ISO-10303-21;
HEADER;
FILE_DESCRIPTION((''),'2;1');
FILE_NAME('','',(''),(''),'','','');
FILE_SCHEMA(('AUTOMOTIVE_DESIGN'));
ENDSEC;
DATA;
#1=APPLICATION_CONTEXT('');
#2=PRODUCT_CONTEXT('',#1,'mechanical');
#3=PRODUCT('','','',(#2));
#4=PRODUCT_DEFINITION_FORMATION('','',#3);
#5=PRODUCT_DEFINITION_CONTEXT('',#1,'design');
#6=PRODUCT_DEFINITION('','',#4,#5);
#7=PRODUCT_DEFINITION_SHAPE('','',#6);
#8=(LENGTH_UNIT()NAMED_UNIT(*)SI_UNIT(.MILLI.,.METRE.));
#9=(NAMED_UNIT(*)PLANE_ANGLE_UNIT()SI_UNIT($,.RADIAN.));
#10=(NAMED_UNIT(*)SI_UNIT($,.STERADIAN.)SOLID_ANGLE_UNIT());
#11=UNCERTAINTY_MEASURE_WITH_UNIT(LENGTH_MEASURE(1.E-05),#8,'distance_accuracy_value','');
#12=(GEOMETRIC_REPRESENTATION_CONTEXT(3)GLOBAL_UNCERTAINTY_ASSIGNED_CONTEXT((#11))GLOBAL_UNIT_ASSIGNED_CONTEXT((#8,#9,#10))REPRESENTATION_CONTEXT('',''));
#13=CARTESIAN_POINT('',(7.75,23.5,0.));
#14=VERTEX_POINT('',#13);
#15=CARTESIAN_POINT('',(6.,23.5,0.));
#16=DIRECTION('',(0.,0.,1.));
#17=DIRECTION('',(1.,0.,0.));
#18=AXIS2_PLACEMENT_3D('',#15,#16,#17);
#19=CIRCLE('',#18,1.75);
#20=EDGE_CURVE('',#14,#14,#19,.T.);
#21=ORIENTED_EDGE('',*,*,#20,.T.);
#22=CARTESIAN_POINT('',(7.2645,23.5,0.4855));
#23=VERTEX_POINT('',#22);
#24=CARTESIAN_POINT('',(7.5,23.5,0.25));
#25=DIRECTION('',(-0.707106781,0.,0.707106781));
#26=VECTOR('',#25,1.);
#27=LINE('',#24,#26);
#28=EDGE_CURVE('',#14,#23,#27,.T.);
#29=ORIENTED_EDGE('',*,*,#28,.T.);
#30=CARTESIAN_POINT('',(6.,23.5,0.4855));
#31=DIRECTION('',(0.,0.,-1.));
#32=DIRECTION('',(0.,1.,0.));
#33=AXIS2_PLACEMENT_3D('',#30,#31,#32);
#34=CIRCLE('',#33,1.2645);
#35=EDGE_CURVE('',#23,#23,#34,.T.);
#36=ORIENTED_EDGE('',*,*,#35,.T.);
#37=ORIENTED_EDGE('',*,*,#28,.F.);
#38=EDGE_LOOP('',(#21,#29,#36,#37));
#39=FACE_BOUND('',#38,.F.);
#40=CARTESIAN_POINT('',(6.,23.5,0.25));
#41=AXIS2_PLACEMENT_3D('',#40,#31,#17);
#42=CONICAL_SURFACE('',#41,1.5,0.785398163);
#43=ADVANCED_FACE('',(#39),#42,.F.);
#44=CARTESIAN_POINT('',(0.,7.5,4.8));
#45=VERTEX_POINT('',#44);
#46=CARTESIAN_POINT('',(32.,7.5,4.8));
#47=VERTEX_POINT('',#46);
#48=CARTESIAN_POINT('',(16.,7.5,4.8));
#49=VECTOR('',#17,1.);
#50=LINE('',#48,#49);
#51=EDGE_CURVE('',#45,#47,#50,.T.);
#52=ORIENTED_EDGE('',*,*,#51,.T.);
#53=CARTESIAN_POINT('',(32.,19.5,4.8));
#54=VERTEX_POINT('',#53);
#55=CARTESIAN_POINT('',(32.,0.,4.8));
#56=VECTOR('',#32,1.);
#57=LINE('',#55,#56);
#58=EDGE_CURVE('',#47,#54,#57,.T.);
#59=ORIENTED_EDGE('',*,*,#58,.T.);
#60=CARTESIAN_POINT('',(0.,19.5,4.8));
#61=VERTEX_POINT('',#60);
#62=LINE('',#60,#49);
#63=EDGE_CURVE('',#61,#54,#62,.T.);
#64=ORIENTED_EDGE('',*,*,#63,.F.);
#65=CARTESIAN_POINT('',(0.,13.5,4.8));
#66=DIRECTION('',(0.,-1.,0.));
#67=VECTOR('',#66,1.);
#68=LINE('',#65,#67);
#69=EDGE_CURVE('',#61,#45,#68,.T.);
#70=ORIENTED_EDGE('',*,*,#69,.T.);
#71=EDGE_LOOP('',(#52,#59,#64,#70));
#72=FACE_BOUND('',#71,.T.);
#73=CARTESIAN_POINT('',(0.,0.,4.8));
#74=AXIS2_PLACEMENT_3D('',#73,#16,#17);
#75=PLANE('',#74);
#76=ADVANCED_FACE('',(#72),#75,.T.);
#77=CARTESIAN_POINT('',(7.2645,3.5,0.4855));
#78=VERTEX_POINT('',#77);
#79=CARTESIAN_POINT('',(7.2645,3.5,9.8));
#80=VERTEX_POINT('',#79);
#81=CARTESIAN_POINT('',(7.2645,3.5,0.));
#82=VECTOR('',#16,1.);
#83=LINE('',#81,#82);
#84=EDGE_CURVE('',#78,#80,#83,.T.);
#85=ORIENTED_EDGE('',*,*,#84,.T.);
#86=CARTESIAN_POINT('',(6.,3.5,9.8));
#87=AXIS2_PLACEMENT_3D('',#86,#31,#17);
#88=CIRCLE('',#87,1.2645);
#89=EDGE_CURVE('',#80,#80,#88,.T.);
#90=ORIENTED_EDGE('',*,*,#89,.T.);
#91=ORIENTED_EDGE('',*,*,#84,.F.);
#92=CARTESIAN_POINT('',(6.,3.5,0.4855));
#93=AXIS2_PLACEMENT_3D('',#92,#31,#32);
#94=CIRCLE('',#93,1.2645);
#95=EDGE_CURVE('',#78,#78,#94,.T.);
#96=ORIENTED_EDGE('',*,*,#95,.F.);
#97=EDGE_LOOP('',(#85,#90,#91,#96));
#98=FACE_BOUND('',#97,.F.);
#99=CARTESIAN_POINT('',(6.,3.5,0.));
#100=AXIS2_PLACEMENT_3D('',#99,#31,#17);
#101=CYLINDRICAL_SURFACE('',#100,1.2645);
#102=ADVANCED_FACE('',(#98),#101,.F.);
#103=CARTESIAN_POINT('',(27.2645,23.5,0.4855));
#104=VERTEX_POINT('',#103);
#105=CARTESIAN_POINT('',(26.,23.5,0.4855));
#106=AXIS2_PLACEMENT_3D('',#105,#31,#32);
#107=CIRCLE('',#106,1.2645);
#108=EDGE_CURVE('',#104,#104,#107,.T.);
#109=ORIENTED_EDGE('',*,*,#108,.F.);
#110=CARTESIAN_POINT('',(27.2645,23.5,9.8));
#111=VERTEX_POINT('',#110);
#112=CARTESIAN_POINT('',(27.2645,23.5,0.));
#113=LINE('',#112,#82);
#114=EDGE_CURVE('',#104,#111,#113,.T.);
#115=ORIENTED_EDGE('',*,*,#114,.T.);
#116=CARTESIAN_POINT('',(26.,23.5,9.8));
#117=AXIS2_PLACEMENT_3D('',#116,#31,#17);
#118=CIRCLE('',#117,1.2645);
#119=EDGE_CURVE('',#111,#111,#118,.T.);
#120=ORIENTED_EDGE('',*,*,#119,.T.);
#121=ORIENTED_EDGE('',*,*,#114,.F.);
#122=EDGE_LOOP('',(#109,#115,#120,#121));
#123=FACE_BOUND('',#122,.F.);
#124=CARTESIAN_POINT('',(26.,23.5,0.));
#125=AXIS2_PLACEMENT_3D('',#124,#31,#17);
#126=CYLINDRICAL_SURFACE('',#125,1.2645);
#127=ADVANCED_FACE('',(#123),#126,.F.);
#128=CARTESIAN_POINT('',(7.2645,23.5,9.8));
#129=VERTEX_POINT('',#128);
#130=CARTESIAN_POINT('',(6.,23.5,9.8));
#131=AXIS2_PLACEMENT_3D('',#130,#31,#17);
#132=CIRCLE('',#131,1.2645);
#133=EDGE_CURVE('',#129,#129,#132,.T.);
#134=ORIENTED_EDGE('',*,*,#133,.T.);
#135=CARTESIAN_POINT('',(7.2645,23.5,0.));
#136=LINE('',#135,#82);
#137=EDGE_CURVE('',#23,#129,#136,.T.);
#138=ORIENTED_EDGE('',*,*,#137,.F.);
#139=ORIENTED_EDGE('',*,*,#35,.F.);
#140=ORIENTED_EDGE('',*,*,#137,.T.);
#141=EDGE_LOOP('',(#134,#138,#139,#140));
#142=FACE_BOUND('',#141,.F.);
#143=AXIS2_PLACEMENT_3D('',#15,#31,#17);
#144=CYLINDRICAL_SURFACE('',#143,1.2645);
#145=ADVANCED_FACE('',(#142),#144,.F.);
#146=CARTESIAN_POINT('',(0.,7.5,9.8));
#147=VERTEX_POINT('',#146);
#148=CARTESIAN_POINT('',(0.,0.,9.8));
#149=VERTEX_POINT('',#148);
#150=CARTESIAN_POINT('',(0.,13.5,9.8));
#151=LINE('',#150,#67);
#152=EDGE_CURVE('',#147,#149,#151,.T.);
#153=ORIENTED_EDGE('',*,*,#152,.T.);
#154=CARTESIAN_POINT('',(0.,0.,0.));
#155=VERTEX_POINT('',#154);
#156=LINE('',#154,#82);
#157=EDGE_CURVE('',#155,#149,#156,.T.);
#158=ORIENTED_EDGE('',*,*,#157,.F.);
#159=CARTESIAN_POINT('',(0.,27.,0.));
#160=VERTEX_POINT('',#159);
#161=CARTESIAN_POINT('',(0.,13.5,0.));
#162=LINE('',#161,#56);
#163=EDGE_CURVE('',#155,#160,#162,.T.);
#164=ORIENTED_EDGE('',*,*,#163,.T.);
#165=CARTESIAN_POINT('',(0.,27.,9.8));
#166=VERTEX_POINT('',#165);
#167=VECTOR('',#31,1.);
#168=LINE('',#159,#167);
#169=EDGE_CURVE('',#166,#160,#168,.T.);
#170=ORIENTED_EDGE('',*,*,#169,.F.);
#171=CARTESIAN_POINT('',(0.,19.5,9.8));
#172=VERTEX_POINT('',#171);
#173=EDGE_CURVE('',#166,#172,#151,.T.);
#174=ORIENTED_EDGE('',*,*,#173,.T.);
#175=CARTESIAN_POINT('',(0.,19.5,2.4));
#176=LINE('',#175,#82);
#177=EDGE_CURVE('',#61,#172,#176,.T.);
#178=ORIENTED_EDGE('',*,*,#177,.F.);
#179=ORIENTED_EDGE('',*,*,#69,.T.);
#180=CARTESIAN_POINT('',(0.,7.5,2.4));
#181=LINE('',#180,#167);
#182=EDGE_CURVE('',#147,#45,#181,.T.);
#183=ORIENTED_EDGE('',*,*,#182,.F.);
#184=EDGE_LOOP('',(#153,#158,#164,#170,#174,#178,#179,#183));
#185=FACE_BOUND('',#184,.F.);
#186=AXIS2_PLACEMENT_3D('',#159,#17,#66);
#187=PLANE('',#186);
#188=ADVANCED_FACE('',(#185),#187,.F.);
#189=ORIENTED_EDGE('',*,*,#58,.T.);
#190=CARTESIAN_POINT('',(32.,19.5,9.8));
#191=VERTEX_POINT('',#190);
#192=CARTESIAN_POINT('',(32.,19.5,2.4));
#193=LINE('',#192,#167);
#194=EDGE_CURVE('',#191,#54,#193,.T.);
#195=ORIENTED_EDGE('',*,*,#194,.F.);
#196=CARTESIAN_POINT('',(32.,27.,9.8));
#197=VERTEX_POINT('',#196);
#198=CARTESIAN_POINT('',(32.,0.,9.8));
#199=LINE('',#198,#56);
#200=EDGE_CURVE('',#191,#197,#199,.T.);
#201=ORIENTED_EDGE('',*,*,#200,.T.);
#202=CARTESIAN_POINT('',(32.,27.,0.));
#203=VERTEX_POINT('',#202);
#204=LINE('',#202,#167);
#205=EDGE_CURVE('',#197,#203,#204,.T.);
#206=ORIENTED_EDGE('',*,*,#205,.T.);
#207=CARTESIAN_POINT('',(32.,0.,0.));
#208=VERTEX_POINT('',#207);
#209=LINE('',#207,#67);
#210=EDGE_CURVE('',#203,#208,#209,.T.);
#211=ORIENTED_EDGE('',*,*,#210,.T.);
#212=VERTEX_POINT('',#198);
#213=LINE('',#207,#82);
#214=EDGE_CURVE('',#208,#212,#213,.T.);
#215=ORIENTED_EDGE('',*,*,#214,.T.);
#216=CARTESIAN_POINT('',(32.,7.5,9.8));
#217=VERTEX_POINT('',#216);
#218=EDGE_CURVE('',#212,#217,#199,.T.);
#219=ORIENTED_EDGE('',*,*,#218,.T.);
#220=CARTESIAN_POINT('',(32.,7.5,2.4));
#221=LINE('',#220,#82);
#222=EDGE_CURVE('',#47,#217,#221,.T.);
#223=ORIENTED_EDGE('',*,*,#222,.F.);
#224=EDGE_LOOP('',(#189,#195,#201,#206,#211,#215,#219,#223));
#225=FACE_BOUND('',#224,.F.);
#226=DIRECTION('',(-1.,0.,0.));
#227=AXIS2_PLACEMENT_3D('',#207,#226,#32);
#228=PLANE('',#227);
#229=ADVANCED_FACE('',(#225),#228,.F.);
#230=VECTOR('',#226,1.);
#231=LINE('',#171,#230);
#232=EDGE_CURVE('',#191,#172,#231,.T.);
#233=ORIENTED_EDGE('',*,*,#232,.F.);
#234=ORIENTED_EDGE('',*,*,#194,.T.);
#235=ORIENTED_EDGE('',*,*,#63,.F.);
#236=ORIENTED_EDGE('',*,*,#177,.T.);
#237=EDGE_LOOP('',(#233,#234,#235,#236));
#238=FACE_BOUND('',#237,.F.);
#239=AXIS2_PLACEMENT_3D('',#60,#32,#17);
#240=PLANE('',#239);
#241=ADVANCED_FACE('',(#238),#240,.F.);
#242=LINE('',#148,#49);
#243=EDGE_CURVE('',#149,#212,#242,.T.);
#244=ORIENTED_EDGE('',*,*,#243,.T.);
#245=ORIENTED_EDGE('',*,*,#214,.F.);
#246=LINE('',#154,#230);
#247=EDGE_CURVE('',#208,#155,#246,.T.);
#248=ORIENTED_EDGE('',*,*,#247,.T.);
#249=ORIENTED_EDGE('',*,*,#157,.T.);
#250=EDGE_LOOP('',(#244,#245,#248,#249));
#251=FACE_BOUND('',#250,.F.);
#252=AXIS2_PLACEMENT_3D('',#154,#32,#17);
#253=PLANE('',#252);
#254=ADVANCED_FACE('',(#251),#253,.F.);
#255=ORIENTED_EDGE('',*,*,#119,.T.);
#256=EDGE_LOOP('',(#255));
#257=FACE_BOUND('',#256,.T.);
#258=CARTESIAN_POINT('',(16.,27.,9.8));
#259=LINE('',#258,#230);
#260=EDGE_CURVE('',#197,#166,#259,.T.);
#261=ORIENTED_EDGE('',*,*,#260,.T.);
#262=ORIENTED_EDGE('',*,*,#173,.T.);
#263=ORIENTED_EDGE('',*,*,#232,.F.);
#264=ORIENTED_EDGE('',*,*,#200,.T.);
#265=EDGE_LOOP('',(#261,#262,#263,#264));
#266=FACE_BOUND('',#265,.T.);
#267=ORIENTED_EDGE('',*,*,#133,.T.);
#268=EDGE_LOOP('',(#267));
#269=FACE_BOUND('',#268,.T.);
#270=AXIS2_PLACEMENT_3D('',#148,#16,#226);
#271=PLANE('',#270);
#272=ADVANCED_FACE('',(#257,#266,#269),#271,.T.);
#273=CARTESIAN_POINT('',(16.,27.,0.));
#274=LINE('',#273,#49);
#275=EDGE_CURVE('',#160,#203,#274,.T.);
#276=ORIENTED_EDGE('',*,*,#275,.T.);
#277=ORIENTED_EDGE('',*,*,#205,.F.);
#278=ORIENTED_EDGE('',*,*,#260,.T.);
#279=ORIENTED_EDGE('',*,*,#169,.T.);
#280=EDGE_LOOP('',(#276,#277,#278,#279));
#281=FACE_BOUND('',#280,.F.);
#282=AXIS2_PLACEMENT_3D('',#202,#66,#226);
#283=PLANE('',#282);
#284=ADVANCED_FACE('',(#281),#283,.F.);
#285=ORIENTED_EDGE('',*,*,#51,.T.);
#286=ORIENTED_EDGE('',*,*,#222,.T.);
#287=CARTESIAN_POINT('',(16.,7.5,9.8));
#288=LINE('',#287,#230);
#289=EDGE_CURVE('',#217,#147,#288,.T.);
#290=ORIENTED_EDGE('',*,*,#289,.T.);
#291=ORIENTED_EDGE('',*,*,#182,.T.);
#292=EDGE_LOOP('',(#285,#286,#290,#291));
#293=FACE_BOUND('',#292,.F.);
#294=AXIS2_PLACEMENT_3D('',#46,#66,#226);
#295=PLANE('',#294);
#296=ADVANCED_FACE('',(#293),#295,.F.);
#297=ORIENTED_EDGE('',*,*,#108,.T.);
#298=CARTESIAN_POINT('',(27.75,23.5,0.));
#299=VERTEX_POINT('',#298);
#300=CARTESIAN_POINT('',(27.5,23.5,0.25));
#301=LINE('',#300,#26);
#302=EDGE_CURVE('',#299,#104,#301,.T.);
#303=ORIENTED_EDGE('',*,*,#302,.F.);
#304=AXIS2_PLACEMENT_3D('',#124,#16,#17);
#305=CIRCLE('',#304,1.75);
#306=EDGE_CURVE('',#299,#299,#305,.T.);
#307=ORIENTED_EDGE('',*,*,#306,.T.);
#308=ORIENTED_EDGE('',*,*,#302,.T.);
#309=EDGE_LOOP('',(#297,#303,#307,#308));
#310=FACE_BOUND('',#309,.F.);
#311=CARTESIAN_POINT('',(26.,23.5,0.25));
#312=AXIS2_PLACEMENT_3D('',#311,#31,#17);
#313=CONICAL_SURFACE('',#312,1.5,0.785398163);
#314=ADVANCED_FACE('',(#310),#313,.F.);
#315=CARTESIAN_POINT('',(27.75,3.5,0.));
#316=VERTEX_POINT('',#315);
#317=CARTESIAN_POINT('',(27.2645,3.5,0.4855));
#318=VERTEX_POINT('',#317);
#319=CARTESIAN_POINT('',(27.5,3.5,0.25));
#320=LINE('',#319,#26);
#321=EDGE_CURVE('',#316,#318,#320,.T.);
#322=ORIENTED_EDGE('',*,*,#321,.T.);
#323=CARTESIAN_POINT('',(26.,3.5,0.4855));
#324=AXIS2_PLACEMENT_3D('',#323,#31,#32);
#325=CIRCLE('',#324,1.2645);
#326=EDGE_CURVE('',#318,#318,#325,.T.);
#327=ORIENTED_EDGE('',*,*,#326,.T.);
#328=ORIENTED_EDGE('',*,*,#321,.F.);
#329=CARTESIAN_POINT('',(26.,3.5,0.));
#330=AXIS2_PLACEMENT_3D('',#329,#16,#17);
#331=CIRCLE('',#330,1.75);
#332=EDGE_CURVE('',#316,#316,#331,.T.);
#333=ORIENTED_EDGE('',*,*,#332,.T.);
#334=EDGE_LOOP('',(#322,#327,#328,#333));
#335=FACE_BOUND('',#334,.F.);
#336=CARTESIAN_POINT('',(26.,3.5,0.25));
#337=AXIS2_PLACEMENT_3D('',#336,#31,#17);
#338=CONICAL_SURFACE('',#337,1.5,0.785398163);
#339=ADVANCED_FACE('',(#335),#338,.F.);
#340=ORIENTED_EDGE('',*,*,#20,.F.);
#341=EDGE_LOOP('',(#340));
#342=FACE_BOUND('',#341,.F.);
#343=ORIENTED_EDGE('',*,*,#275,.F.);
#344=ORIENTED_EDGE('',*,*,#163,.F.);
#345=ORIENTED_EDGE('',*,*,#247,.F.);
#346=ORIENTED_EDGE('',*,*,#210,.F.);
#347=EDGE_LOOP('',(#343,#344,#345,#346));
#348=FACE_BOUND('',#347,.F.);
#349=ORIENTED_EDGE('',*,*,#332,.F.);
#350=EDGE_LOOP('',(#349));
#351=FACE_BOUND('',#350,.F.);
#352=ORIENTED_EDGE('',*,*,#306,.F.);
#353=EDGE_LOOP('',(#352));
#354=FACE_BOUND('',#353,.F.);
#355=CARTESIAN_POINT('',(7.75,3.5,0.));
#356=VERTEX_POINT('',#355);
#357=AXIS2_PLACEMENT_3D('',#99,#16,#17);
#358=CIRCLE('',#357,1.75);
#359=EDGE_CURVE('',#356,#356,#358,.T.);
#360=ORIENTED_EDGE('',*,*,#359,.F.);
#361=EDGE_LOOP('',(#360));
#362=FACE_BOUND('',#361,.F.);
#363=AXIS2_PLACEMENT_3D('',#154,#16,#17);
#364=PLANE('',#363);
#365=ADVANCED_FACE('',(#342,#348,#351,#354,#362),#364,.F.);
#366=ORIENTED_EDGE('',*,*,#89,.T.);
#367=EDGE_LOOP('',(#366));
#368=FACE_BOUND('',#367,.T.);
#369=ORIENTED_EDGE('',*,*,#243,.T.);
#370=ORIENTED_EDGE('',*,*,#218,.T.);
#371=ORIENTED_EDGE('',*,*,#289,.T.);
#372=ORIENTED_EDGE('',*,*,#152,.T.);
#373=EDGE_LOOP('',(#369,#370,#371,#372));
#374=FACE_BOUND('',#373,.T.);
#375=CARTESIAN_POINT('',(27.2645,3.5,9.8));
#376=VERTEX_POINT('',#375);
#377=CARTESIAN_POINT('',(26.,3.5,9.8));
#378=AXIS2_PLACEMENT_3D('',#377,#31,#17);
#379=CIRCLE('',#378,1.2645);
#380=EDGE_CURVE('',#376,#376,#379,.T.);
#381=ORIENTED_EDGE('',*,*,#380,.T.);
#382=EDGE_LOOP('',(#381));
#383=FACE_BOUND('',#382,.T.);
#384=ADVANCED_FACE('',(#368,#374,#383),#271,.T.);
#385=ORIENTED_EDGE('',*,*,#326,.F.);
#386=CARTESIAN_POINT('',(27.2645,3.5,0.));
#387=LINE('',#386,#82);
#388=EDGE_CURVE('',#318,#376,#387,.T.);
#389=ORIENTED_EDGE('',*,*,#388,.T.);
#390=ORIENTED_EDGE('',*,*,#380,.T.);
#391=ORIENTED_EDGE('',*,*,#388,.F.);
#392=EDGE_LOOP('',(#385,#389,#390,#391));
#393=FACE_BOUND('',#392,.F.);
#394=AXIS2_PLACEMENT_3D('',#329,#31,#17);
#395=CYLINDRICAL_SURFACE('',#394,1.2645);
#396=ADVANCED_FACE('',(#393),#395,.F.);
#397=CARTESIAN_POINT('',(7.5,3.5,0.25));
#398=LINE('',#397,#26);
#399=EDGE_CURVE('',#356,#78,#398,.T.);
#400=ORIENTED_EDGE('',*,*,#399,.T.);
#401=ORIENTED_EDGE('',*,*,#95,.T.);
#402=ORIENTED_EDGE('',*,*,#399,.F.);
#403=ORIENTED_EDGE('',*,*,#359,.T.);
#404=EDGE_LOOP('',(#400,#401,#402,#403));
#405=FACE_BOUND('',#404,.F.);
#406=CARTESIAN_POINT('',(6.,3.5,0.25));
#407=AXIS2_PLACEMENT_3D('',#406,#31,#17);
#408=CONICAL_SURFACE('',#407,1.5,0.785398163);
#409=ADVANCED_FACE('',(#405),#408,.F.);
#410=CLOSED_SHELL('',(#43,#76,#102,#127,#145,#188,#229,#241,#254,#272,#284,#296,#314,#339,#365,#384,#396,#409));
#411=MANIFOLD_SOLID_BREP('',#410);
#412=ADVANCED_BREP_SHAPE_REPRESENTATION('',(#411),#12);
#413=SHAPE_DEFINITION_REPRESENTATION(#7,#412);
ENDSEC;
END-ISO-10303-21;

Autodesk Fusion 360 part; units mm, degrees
sketch "Sketch1" plane through (0, 0, 0) normal (0, 0, 1) x (1, 0, 0)
  line L0 (0, 0) -> (32, 0)
  line L1 (32, 0) -> (32, 27)
  line L2 (32, 27) -> (0, 27)
  line L3 (0, 27) -> (0, 0)
  dimension "d1" = 27
  dimension "d2" = 32
extrude "Extrude1" add sketch "Sketch1" along normal blind 4.8
sketch "Sketch2" plane through (0, 0, 4.8) normal (0, 0, 1) x (-1, 0, 0)
  line L0 (0, -27) -> (0, 0)
  line L1 (0, 0) -> (-32, 0)
  line L2 (-32, 0) -> (-32, -27)
  line L3 (-32, -27) -> (0, -27)
  line L4 (0, 0) -> (-32, 0)
  line L5 (-32, 0) -> (-32, -7.5)
  line L6 (-32, -7.5) -> (0, -7.5)
  line L7 (0, -7.5) -> (0, 0)
  line L8 (-32, -27) -> (0, -27)
  line L9 (0, -27) -> (0, -19.5)
  line L10 (0, -19.5) -> (-32, -19.5)
  line L11 (-32, -19.5) -> (-32, -27)
  dimension "d5" = 12
  dimension "d6" = 7.5
  dimension "d7" = 8.2363
extrude "Extrude2" add sketch "Sketch2" along normal blind 5 contours L0 L2 L3 L8 L9 L10 L11 | L0 L1 L2 L4 L5 L6 L7
sketch "Sketch3" plane through (0, 0, 0) normal (0, 0, -1) x (1, 0, 0)
  line L0 (0, 0) -> (0, -27)
  line L1 (0, -27) -> (32, -27)
  line L2 (32, -27) -> (32, 0)
  line L3 (32, 0) -> (0, 0)
  line L4 (6, -3.5) -> (26, -3.5)
  line L5 (26, -3.5) -> (26, -23.5)
  line L6 (26, -23.5) -> (6, -23.5)
  line L7 (6, -23.5) -> (6, -3.5)
  circle A0 centre (6, -3.5) radius 1.5
  circle A1 centre (26, -3.5) radius 1.5
  circle A2 centre (6, -23.5) radius 1.5
  circle A3 centre (26, -23.5) radius 1.5
  dimension "d10" = 20
  dimension "d11" = 20
  dimension "d12" = 3.5
  dimension "d13" = 3
  dimension "d14" = 6
  dimension "d15" = 6
  dimension "d16" = 3
  dimension "d17" = 3
  dimension "d18" = 3
  dimension "d19" = 3
extrude "Extrude3" cut sketch "Sketch3" against normal blind 20 contours L4 L7 A0 | L4 L7 A0 | L4 L5 A1 | L4 L5 A1 | L6 L7 A2 | L6 L7 A2 | L5 L6 A3 | L5 L6 A3
chamfer "Chamfer1" distance 0.25 angle 45 4 edges at (4.6015, 2.9576, 0) (24.6015, 2.9576, 0) (24.6015, 22.9576, 0) (4.6015, 22.9576, 0)
thread "Thread1" "ISO Metric profile 3.0 M3x0.5 6H" major diameter 3.086 minor diameter 2.529 pitch 0.5 angle 60 resizes the face on face at (7.4925, 23.3506, 3.4333) on face at (27.4925, 23.3506, 3.4333) on face at (27.4981, 3.5748, 6.6167) on face at (7.4981, 3.5748, 6.6167)
